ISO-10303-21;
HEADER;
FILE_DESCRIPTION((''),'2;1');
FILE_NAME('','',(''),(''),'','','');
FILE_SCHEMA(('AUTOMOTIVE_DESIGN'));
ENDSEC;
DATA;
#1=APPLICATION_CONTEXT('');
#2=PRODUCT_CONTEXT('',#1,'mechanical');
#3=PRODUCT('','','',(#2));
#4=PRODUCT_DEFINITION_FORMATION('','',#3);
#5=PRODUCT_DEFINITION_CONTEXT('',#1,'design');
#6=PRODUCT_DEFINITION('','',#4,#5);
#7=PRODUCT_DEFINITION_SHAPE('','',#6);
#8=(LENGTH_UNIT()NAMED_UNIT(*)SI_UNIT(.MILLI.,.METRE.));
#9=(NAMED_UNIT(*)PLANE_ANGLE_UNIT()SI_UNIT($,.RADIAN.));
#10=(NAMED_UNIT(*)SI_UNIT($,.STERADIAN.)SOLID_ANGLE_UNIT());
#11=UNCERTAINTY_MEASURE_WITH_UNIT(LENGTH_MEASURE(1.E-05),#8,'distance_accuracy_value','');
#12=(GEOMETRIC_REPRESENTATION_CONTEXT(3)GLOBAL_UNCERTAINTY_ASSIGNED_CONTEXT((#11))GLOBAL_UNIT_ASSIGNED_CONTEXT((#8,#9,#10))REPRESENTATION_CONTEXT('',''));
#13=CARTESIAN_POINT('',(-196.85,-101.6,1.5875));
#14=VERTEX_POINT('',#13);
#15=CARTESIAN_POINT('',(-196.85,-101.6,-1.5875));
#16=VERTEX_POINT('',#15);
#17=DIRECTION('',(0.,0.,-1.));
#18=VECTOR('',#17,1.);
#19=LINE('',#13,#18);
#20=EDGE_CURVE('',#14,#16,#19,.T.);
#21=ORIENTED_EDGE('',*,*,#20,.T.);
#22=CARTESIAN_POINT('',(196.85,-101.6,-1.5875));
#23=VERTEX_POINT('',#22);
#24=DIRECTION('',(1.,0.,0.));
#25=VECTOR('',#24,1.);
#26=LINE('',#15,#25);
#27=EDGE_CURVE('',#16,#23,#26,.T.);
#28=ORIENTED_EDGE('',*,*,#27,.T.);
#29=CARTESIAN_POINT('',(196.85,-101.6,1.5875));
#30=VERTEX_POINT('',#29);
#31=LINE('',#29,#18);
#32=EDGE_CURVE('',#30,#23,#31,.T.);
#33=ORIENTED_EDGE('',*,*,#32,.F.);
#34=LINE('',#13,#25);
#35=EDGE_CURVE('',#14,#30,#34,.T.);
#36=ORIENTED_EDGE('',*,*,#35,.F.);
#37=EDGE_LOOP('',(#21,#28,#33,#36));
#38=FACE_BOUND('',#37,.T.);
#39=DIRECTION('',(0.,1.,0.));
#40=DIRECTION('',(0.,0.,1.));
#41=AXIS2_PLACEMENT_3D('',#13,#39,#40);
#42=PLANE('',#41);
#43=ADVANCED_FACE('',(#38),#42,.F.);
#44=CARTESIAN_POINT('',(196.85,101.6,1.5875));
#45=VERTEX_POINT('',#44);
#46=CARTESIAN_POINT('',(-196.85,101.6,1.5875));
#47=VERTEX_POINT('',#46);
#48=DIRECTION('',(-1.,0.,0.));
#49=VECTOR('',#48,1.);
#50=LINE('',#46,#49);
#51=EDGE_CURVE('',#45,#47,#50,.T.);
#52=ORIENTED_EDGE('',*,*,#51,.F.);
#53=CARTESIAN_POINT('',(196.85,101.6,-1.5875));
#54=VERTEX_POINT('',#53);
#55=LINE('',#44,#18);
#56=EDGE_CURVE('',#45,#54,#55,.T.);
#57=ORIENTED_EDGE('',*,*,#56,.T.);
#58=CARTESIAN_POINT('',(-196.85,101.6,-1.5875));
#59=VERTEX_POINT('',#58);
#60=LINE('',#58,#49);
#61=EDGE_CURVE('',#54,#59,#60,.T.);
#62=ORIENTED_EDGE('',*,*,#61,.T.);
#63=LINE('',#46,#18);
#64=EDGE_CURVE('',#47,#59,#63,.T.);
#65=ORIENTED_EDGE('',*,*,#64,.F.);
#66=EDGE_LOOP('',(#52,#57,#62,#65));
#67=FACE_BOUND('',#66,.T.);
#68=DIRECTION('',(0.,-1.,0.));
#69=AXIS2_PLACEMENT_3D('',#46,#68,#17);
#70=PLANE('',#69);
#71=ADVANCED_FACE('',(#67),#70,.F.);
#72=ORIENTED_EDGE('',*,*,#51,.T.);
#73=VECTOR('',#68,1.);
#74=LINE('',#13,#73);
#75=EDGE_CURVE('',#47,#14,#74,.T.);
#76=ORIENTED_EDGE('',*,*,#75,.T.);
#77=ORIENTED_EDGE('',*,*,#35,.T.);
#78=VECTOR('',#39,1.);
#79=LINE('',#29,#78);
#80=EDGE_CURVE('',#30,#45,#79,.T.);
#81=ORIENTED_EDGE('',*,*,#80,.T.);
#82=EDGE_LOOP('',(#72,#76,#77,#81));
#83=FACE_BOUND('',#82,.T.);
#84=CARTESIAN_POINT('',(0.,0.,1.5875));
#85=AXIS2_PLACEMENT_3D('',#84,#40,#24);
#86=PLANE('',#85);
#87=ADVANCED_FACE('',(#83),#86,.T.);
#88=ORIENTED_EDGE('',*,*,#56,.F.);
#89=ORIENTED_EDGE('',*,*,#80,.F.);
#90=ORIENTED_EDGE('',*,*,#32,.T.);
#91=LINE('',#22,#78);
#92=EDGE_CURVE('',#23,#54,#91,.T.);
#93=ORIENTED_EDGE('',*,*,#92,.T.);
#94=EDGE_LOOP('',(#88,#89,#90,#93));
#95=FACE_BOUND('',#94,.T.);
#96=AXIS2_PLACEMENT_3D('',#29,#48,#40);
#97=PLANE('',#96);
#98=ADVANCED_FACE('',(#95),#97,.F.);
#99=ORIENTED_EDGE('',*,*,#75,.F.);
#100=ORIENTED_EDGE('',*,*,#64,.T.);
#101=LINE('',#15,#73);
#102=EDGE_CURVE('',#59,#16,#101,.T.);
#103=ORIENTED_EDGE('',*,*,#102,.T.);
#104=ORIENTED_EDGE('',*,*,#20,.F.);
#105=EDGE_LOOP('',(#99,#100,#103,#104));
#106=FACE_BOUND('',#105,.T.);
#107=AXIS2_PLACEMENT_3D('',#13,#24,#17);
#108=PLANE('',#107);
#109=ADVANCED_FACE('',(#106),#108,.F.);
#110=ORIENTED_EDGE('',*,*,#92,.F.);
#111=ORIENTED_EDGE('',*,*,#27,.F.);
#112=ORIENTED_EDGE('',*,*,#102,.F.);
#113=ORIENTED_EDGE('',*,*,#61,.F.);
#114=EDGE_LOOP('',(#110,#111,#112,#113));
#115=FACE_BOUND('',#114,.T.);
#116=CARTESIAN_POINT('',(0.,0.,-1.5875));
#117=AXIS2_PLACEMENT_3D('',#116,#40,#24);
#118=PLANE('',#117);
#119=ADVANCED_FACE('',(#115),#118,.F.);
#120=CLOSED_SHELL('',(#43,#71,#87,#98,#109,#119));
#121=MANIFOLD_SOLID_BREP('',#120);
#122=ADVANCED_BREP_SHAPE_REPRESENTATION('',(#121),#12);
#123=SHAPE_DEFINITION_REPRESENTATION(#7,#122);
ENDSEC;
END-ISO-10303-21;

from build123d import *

# Parameters (mm, degrees)
SKETCH3_W           = 393.7
SKETCH3_H           = 203.2
BOSS_EXTRUDE1_DEPTH = 1.5875


with BuildPart() as part:
    # Sketch3 → Boss-Extrude1 (new, symmetric)
    with BuildSketch(Plane.XY):
        Rectangle(SKETCH3_W, SKETCH3_H)
    extrude(amount=BOSS_EXTRUDE1_DEPTH, both=True)


solid = part.part
